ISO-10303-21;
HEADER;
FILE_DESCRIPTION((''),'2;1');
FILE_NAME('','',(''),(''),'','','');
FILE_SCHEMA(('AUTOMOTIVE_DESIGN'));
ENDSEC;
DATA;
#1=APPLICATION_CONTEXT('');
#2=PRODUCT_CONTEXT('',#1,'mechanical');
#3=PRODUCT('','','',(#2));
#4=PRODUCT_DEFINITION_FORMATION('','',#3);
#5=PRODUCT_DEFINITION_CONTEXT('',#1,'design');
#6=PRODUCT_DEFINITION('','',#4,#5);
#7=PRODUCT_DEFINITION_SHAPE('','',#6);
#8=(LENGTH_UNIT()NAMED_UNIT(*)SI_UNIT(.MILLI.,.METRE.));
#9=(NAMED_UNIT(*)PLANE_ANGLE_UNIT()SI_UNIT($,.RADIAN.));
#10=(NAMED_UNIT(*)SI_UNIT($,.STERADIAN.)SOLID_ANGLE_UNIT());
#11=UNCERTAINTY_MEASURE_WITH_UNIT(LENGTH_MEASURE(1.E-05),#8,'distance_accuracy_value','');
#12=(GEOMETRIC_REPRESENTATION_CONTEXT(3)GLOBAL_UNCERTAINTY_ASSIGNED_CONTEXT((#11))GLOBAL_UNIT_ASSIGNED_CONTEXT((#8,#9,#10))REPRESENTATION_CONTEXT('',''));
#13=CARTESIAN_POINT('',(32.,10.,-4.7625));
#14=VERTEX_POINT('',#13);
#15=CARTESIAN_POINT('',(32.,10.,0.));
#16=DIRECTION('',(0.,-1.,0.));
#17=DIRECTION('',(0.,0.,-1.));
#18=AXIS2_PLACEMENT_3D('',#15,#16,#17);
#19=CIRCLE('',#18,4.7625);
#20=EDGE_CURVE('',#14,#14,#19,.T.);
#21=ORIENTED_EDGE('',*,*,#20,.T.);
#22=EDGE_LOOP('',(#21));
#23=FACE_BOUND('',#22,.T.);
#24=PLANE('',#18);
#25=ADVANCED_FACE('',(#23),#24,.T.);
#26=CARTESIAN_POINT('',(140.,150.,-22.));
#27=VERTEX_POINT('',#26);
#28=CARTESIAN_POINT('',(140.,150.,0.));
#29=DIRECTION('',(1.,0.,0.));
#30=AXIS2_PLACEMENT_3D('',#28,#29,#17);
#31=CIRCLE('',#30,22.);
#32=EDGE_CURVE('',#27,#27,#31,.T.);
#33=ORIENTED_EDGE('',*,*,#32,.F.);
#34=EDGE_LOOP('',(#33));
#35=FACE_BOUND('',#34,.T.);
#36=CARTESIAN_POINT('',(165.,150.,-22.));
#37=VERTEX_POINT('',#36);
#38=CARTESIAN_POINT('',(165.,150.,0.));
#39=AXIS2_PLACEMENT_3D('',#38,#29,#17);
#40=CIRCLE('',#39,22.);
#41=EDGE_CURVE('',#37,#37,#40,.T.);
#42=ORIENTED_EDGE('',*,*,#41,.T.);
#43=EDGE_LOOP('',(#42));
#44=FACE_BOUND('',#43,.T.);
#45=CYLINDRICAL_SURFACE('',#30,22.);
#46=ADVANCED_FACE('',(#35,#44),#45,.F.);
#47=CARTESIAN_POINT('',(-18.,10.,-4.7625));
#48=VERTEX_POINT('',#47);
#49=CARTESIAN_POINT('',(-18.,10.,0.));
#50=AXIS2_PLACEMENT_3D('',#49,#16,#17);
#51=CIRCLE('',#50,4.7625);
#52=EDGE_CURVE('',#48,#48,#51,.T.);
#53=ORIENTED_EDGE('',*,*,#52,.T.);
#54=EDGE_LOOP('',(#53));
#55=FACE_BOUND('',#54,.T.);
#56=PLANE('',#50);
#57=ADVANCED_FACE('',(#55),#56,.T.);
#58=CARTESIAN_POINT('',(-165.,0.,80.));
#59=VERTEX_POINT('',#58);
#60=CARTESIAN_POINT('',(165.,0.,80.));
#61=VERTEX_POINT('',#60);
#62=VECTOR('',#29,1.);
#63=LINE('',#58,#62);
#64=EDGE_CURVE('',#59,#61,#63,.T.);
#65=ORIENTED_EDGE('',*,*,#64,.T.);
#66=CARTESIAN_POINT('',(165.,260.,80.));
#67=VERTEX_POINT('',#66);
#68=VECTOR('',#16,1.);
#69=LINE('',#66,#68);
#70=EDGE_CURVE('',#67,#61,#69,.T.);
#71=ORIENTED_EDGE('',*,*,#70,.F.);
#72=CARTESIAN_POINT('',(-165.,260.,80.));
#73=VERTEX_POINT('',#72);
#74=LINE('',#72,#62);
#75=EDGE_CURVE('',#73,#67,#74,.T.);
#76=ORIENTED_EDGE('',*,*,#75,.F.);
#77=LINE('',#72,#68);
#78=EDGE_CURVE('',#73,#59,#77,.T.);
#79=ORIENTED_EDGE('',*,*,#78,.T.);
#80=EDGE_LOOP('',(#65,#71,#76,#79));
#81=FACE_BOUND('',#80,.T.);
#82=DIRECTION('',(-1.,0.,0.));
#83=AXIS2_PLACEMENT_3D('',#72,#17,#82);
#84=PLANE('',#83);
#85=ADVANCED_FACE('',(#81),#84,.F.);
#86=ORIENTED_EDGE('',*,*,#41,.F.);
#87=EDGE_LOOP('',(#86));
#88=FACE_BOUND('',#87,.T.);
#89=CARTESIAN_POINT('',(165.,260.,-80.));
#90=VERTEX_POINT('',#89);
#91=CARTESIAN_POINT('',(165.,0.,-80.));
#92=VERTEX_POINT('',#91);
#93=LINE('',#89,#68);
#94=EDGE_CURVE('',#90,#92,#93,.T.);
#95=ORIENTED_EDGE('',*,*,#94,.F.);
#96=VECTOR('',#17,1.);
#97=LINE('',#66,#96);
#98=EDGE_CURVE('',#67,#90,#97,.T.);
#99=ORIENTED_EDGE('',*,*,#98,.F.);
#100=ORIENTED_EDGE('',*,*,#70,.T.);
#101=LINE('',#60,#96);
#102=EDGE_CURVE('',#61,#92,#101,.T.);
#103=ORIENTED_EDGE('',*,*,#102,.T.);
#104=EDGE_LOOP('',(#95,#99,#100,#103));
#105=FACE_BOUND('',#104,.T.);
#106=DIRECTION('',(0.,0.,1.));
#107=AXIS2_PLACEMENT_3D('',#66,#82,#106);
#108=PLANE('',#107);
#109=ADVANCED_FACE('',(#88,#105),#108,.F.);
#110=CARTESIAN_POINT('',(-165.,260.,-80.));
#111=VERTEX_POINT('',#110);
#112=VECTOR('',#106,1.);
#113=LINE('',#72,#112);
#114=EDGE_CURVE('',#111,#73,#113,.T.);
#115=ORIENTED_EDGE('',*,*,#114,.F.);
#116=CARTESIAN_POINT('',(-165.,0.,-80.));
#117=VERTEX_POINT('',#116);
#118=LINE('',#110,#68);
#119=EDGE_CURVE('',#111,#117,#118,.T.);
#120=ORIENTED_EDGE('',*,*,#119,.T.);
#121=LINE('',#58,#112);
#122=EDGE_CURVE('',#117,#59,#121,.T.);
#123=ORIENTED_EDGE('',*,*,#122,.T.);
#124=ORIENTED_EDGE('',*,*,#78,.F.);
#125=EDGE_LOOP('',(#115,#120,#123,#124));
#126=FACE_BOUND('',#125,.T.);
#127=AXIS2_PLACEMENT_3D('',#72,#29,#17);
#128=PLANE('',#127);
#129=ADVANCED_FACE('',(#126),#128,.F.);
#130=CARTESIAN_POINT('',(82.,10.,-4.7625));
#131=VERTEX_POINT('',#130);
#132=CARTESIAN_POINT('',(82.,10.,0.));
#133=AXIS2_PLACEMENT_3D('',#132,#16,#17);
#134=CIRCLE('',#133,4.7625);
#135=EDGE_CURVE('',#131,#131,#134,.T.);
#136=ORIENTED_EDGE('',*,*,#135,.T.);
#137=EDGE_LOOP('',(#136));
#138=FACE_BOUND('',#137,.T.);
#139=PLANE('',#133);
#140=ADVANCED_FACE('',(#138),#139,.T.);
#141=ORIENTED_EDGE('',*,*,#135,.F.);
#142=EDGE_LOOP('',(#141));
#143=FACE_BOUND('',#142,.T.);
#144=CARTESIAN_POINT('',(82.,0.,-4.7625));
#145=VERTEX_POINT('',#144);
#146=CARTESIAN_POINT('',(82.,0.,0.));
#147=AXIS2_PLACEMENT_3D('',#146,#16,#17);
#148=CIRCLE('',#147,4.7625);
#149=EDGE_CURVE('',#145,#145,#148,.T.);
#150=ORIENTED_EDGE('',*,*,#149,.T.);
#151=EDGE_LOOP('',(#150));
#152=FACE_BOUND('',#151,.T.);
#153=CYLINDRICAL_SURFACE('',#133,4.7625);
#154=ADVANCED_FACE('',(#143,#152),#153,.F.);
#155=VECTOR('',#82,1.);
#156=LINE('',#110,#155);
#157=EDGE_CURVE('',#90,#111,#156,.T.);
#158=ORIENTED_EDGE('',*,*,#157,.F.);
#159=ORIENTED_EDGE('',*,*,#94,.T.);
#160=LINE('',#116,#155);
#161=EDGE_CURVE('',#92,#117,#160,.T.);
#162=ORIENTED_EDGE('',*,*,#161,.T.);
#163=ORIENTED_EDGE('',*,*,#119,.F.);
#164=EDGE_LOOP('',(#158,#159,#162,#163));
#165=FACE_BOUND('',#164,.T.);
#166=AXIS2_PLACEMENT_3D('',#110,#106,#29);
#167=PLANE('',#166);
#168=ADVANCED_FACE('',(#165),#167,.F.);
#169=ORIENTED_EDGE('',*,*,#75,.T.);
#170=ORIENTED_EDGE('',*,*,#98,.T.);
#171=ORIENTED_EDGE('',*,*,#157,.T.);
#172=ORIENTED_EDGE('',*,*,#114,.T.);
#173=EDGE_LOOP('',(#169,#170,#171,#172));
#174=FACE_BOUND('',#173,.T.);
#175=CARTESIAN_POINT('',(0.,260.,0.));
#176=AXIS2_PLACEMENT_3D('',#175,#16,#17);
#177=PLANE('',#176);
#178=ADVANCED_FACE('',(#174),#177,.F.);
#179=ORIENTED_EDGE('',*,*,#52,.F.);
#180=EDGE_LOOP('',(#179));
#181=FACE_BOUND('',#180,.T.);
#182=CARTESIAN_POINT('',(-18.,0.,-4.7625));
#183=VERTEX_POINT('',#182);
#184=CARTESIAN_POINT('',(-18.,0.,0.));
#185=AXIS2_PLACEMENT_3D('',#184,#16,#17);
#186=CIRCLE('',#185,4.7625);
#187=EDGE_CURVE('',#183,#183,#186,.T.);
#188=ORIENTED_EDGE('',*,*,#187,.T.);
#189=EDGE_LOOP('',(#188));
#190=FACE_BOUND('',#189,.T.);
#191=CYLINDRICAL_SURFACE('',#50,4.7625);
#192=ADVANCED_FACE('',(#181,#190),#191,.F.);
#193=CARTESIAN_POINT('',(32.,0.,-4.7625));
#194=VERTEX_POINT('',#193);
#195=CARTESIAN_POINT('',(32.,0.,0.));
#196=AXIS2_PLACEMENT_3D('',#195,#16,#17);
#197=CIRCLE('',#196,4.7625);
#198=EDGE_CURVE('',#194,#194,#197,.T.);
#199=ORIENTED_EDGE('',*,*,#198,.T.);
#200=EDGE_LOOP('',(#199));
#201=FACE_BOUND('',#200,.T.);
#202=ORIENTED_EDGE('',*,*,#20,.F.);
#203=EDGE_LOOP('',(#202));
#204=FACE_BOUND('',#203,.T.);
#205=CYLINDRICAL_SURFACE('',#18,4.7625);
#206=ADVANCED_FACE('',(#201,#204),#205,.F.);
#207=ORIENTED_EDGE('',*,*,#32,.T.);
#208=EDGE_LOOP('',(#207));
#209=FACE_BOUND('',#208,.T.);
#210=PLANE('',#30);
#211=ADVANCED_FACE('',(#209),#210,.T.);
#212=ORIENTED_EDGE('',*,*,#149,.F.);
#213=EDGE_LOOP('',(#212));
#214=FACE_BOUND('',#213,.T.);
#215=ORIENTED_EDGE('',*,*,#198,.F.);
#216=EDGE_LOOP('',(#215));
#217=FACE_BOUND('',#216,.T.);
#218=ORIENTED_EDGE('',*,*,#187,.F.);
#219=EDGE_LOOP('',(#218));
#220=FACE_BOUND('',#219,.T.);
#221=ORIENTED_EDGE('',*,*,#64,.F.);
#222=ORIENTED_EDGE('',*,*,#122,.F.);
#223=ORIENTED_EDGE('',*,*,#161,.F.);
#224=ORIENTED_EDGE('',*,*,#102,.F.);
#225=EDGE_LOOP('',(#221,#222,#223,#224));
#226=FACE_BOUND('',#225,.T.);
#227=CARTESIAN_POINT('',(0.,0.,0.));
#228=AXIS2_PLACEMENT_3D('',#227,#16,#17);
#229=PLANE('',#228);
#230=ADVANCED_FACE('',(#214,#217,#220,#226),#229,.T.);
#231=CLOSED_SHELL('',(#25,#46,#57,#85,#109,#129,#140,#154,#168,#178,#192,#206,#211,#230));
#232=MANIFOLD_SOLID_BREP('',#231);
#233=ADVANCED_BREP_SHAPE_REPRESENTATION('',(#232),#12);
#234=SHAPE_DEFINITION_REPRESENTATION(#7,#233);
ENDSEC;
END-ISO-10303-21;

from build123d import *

# Parameters (mm, degrees)
SKETCH1_W           = 330
SKETCH1_H           = 160
BOSS_EXTRUDE1_DEPTH = 260
SKETCH2_R           = 22
CUT_EXTRUDE1_DEPTH  = 25
SKETCH3_R           = 4.7625
CUT_EXTRUDE2_DEPTH  = 10


with BuildPart() as part:
    # Sketch1 → Boss-Extrude1 (new body)
    with BuildSketch(Plane(origin=(0, 0, 0), x_dir=(1, 0, 0), z_dir=(0, 1, 0))):
        Rectangle(SKETCH1_W, SKETCH1_H)
    extrude(amount=BOSS_EXTRUDE1_DEPTH)

    # Sketch2 → Cut-Extrude1 (cut)
    with BuildSketch(Plane(origin=(165, 0, 0), x_dir=(0, 0, -1), z_dir=(1, 0, 0))):
        with Locations((0, 150)):
            Circle(SKETCH2_R)
    extrude(amount=-CUT_EXTRUDE1_DEPTH, mode=Mode.SUBTRACT)

    # Sketch3 → Cut-Extrude2 (cut)
    with BuildSketch(Plane.XZ):
        with Locations((82, 0)):
            Circle(SKETCH3_R)
        with Locations((32, 0)):
            Circle(SKETCH3_R)
        with Locations((-18, 0)):
            Circle(SKETCH3_R)
    extrude(amount=-CUT_EXTRUDE2_DEPTH, mode=Mode.SUBTRACT)


solid = part.part
